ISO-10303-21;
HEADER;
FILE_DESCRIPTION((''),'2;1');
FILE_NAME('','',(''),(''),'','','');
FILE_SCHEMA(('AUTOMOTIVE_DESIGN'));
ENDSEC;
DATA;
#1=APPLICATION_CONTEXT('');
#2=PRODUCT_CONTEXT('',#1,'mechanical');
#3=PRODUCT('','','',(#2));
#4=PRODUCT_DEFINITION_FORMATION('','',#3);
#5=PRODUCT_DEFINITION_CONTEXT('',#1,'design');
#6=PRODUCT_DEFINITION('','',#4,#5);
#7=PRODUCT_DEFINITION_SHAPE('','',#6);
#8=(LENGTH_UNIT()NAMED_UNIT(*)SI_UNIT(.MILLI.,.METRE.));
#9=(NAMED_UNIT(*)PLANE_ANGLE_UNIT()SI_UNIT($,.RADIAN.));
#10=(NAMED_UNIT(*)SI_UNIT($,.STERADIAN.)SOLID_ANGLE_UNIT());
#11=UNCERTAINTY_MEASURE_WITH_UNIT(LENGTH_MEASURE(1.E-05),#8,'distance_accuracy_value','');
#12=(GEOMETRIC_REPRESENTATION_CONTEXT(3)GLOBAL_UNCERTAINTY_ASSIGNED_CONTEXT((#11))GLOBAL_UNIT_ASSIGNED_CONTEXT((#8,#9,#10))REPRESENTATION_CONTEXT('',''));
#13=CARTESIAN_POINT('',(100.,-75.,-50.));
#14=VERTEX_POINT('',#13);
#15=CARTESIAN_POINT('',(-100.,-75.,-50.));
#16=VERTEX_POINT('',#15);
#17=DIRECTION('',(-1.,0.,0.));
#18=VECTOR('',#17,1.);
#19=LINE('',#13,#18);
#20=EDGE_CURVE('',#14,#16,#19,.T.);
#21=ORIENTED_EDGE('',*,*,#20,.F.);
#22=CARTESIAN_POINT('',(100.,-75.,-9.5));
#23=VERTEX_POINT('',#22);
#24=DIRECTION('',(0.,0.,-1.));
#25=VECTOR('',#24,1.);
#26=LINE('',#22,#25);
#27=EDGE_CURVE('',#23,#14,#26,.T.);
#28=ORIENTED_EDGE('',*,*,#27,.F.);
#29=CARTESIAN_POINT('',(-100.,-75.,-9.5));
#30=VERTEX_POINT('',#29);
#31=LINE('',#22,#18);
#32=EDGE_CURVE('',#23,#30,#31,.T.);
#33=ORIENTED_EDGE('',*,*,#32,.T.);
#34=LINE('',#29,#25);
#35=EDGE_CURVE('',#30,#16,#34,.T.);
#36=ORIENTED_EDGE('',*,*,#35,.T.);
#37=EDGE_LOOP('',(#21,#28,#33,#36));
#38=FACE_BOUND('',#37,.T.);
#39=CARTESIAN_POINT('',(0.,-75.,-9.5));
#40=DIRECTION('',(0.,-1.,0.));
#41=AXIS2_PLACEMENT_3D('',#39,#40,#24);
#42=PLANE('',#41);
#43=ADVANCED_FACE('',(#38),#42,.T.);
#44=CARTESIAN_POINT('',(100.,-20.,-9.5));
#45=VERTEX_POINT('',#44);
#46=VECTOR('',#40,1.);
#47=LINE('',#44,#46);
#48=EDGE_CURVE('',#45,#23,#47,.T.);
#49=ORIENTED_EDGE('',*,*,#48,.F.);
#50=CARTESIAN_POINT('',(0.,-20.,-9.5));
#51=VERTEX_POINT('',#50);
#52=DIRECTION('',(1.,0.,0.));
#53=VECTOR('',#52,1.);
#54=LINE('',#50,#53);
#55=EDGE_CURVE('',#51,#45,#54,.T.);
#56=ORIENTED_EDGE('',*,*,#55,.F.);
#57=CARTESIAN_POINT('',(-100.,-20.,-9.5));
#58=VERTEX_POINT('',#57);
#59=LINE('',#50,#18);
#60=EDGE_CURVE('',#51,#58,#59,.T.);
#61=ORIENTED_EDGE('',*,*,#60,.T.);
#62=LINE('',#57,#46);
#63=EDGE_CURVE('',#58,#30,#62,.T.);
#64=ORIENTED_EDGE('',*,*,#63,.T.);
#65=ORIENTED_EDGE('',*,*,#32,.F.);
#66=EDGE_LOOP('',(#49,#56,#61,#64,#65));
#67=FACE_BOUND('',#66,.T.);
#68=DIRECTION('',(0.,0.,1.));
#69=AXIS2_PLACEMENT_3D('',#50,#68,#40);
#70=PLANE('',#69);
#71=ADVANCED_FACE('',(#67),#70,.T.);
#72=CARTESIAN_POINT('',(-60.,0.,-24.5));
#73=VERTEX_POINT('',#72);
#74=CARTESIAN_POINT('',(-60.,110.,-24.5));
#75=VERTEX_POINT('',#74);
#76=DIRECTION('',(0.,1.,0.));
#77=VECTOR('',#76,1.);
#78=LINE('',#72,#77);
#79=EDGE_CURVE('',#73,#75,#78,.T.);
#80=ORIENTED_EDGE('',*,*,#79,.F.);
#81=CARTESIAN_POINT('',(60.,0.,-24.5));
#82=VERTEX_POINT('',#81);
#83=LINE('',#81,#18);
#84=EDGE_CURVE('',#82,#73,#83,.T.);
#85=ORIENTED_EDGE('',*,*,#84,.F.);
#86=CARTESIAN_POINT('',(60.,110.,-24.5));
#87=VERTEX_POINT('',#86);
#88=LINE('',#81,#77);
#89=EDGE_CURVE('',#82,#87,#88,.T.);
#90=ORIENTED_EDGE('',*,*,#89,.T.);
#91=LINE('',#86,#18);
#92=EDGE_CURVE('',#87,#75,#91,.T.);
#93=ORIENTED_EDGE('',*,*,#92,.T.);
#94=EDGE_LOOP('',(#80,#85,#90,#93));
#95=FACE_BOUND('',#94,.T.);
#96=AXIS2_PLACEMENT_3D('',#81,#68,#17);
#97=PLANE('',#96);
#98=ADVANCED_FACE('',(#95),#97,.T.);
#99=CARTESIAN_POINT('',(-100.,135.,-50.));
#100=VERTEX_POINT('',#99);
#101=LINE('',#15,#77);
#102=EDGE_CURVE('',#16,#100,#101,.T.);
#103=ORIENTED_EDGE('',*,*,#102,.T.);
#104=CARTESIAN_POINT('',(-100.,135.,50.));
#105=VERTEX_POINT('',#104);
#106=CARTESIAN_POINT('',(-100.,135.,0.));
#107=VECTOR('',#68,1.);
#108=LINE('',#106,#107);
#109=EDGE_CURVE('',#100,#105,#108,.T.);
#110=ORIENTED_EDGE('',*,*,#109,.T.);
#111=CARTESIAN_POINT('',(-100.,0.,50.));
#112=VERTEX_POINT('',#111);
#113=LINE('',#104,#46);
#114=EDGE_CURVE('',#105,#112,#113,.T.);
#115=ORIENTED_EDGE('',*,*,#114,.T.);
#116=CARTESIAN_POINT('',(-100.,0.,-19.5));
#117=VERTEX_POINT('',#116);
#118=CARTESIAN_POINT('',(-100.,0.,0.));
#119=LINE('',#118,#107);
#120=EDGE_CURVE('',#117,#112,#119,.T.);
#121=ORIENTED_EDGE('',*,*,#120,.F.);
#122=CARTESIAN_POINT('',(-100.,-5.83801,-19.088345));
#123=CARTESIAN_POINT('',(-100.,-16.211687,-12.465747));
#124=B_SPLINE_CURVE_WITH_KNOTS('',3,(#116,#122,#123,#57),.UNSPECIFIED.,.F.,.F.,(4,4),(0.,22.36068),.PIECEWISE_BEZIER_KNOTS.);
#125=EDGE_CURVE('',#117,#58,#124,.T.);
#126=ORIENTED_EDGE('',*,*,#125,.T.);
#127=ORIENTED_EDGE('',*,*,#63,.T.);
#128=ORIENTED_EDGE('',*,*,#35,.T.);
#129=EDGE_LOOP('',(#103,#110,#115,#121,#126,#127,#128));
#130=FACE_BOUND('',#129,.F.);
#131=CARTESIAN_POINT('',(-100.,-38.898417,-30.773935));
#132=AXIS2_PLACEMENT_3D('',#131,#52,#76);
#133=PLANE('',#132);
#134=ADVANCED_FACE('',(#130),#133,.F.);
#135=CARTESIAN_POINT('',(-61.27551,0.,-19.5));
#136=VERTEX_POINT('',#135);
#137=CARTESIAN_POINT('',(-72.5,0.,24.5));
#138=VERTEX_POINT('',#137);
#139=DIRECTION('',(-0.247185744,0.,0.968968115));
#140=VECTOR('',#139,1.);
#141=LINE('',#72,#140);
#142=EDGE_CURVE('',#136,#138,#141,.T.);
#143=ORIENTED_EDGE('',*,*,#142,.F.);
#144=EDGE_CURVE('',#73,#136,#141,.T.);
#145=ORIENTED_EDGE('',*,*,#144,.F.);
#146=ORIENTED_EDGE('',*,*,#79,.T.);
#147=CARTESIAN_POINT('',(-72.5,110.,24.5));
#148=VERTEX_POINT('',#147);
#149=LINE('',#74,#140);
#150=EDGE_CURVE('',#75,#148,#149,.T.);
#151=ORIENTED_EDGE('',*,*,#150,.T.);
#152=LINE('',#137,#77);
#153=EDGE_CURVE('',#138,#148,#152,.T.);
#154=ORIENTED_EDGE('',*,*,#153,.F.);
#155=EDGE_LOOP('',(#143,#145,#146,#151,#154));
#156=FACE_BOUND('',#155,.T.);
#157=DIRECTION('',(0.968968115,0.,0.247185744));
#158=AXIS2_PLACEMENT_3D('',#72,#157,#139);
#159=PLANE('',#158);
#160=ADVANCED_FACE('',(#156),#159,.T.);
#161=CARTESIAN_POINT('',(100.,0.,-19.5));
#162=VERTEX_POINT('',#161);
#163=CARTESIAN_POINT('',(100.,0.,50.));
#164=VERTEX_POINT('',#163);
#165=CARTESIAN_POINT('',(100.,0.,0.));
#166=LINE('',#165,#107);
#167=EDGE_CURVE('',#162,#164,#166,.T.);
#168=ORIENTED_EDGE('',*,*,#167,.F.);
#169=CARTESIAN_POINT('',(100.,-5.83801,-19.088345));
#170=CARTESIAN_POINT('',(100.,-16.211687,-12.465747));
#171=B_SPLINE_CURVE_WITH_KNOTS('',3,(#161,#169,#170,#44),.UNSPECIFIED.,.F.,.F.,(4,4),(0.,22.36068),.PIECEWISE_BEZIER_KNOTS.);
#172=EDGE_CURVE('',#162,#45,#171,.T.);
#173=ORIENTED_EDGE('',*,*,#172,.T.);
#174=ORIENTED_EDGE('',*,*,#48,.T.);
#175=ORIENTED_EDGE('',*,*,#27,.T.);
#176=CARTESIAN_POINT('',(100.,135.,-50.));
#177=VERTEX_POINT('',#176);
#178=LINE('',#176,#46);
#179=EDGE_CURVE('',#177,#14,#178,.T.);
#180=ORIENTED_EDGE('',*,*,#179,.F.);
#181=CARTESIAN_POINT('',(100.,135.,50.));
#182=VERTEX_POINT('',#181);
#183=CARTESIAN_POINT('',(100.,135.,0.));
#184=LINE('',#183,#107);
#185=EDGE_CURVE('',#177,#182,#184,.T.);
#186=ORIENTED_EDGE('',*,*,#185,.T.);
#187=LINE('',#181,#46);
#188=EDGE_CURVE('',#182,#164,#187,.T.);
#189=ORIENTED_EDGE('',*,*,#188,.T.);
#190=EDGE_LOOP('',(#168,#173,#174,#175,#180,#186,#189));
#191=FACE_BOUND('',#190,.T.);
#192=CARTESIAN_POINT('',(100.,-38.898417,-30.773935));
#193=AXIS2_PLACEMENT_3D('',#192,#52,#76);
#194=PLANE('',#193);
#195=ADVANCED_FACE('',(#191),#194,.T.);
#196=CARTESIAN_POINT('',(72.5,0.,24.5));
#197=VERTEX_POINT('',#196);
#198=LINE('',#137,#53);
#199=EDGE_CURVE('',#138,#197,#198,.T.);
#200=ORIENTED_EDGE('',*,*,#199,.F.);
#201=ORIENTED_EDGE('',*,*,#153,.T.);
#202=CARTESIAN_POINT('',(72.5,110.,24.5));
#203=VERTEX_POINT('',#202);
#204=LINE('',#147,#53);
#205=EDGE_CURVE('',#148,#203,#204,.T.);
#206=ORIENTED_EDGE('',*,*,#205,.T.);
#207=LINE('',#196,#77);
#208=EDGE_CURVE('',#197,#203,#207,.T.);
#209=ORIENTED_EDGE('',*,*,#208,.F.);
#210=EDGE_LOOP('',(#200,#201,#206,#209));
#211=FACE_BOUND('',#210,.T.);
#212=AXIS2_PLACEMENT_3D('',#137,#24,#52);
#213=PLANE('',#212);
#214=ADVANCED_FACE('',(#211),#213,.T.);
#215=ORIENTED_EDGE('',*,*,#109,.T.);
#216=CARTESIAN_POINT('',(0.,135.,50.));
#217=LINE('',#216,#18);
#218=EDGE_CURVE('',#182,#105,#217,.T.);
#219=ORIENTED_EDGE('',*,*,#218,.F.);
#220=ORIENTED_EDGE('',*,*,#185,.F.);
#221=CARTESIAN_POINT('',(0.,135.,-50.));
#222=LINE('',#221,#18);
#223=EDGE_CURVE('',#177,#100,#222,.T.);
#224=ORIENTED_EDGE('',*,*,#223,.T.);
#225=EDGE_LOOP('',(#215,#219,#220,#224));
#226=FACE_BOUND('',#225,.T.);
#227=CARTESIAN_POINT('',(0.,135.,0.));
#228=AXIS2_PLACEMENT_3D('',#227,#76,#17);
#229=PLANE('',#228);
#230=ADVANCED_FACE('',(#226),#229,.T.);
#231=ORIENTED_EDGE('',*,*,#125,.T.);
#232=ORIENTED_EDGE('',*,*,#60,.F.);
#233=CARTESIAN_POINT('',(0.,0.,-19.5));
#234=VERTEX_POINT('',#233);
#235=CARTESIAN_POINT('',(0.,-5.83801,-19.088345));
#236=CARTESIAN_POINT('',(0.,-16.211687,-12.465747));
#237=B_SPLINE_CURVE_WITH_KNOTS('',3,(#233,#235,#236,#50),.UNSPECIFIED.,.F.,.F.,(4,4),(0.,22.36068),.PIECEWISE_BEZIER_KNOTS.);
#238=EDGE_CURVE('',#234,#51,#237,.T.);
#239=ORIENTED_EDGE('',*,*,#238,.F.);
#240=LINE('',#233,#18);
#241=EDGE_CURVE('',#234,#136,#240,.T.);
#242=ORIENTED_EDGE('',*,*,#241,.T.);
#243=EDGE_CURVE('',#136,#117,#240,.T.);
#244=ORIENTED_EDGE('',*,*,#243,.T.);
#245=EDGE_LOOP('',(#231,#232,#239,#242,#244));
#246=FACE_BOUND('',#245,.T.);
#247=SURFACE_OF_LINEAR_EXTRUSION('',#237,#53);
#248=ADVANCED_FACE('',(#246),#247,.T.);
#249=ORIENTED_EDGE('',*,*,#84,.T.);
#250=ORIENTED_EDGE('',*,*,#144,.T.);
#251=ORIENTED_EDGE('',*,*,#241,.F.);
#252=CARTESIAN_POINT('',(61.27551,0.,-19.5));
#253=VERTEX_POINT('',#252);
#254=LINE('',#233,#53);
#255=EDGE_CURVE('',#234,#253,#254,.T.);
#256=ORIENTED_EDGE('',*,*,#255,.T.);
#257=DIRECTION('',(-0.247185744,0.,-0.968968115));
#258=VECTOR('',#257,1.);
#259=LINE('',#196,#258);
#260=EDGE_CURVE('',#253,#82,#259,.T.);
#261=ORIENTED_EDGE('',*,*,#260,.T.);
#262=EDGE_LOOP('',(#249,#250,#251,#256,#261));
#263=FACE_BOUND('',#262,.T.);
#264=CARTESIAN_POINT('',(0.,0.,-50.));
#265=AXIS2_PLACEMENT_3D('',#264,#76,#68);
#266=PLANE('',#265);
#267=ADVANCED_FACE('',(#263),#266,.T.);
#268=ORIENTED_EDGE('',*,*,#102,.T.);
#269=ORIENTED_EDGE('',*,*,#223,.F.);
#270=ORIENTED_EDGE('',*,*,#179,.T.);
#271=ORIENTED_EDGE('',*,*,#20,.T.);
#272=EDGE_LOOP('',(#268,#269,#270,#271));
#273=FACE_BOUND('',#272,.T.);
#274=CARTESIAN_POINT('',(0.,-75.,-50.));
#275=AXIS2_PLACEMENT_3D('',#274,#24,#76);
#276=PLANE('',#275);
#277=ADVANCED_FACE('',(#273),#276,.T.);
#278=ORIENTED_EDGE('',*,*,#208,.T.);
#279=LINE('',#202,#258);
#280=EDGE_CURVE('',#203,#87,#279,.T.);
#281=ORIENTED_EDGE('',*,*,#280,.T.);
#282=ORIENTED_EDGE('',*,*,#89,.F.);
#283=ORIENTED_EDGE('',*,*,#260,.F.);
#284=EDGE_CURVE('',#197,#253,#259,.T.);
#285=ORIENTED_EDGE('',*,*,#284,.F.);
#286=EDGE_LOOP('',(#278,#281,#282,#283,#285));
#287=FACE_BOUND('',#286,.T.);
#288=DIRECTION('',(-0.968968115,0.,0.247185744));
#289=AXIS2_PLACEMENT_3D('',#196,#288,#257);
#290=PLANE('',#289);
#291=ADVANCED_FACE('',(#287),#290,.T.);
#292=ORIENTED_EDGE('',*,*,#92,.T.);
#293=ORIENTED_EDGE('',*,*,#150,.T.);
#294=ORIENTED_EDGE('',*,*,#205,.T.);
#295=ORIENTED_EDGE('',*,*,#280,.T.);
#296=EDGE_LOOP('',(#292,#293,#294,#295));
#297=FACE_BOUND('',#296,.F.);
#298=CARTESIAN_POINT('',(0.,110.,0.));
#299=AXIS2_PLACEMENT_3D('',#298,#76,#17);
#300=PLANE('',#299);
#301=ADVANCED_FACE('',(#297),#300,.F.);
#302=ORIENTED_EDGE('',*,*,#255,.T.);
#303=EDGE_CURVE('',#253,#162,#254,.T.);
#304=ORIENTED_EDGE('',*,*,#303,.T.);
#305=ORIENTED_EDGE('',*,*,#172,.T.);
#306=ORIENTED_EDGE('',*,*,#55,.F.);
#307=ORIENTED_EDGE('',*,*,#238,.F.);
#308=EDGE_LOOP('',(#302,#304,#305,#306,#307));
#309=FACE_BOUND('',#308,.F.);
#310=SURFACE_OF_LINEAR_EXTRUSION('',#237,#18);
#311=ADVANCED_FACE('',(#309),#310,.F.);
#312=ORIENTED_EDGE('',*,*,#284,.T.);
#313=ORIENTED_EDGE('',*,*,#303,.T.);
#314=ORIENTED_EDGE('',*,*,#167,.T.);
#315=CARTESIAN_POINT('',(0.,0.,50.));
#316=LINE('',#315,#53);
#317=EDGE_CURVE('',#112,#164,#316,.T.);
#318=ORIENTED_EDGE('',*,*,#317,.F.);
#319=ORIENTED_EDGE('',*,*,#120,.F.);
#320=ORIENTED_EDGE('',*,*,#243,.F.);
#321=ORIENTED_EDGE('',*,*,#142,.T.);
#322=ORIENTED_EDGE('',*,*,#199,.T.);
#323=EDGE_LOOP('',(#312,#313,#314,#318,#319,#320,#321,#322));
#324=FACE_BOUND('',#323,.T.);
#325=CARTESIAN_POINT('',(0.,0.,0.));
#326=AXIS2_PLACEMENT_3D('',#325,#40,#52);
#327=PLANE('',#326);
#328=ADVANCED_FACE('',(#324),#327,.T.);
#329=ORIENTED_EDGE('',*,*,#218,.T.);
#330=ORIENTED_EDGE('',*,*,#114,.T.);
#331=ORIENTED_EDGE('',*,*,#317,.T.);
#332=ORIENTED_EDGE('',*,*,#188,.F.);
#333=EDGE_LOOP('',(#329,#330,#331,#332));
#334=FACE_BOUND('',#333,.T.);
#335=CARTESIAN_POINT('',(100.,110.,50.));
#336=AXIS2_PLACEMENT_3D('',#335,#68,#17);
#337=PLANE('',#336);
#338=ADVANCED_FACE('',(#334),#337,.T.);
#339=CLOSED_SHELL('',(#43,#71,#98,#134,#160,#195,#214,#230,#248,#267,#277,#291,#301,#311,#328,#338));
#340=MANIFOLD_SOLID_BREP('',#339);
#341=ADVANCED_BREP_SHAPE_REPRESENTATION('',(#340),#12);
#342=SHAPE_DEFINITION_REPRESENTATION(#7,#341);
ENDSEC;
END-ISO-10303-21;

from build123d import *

# Parameters (mm, degrees)
F0_W     = 200
F0_H     = 100
F1_DEPTH = 110
F2_W     = 200
F2_H     = 100
F3_DEPTH = 25
F5_DEPTH = 100


with BuildPart() as f1:
    # F0 (on Front) → F1 (new body)
    with BuildSketch(Plane.XZ):
        Rectangle(F0_W, F0_H)
        Polygon((-60, -24.5), (-72.5, 24.5), (72.5, 24.5), (60, -24.5), align=None, mode=Mode.SUBTRACT)
    extrude(amount=-F1_DEPTH)

    # F2 (on face) → F3 (join)
    with BuildSketch(Plane(origin=(0, 110, 0), x_dir=(-1, 0, 0), z_dir=(0, 1, 0))):
        Rectangle(F2_W, F2_H)
    extrude(amount=F3_DEPTH)

    # F4 (on Right) → F5 (join, symmetric)
    with BuildSketch(Plane.YZ):
        with BuildLine():
            Line((-75, -50), (0, -50))
            Line((0, -50), (0, -19.5))
            add(Edge.make_bspline(
                [(0, -19.5), (-5.83801, -19.088345), (-16.211687, -12.465747), (-20, -9.5)],
                knots=[0, 0, 0, 0, 22.36068, 22.36068, 22.36068, 22.36068], degree=3))
            Line((-20, -9.5), (-75, -9.5))
            Line((-75, -9.5), (-75, -50))
        make_face()
    extrude(amount=F5_DEPTH, both=True)


solid = f1.part
